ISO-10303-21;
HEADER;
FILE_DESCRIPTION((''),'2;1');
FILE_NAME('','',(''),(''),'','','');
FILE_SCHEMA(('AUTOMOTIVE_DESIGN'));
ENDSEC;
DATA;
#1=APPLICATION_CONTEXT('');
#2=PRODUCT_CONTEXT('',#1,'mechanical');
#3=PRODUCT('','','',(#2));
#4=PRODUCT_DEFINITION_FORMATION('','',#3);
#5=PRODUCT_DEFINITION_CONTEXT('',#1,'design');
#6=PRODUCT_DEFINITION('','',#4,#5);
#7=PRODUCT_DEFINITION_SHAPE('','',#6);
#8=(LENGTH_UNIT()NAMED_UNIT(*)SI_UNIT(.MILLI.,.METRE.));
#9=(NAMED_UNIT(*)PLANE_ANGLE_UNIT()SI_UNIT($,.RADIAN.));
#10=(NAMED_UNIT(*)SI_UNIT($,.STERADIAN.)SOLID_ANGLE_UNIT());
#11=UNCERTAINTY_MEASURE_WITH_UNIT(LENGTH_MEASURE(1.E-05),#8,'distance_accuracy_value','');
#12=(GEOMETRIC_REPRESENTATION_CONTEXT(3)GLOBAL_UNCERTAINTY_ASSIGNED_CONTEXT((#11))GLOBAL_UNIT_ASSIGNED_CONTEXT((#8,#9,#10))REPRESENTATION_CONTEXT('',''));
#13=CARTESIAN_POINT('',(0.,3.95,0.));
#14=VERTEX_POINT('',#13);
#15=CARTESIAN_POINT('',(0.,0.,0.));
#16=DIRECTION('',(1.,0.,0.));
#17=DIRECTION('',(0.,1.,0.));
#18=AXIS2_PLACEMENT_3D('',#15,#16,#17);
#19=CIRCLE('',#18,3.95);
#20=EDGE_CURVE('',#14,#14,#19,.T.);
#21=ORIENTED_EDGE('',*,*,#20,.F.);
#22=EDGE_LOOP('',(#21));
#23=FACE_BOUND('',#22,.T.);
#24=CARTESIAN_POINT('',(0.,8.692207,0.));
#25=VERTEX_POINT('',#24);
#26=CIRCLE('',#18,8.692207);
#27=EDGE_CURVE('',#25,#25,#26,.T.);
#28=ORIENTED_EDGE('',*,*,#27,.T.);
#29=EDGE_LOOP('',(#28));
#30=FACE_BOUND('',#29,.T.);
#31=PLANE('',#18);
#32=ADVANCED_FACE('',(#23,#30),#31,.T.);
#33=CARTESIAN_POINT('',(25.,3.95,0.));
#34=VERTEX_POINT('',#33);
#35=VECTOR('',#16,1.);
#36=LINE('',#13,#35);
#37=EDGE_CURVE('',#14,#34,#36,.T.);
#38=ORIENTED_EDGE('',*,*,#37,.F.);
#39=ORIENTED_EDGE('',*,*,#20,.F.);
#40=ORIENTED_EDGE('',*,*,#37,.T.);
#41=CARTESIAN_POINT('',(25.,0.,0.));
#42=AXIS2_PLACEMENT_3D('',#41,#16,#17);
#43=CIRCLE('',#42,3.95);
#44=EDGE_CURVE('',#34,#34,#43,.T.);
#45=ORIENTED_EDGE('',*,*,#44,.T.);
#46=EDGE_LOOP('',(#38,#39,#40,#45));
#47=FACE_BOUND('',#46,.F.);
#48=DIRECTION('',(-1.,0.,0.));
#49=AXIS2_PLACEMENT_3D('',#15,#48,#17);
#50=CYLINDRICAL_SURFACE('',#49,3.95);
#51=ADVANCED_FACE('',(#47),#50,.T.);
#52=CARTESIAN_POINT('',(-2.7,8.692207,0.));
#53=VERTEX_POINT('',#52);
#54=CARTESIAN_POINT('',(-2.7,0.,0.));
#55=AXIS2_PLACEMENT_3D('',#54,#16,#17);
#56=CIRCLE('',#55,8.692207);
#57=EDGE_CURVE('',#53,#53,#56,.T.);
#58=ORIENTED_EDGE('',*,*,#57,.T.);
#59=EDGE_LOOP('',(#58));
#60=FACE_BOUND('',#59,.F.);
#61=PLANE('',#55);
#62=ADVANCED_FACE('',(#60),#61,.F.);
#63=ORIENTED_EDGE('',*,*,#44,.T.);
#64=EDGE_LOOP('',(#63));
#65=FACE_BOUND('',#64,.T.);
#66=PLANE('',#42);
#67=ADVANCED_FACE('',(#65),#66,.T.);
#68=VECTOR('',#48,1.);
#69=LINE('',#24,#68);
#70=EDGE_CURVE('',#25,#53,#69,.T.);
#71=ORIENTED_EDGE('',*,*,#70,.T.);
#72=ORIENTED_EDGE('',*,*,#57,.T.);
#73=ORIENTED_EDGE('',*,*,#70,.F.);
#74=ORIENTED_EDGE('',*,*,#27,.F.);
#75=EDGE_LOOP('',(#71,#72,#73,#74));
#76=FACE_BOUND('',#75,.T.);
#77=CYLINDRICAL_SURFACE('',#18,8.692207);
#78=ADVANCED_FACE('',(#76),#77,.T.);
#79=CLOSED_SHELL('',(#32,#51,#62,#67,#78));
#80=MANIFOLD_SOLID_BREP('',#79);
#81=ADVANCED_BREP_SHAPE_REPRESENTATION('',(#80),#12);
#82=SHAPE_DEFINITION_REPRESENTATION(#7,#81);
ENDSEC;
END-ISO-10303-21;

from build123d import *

# Parameters (mm, degrees)
F0_R     = 3.95
F1_DEPTH = 25
F2_R     = 8.692207
F3_DEPTH = 2.7


with BuildPart() as f1:
    # F0 (on Right) → F1 (new body)
    with BuildSketch(Plane.YZ):
        Circle(F0_R)
    extrude(amount=F1_DEPTH)

    # F2 (on Right) → F3 (join)
    with BuildSketch(Plane.YZ):
        Circle(F2_R)
    extrude(amount=-F3_DEPTH)


solid = f1.part
